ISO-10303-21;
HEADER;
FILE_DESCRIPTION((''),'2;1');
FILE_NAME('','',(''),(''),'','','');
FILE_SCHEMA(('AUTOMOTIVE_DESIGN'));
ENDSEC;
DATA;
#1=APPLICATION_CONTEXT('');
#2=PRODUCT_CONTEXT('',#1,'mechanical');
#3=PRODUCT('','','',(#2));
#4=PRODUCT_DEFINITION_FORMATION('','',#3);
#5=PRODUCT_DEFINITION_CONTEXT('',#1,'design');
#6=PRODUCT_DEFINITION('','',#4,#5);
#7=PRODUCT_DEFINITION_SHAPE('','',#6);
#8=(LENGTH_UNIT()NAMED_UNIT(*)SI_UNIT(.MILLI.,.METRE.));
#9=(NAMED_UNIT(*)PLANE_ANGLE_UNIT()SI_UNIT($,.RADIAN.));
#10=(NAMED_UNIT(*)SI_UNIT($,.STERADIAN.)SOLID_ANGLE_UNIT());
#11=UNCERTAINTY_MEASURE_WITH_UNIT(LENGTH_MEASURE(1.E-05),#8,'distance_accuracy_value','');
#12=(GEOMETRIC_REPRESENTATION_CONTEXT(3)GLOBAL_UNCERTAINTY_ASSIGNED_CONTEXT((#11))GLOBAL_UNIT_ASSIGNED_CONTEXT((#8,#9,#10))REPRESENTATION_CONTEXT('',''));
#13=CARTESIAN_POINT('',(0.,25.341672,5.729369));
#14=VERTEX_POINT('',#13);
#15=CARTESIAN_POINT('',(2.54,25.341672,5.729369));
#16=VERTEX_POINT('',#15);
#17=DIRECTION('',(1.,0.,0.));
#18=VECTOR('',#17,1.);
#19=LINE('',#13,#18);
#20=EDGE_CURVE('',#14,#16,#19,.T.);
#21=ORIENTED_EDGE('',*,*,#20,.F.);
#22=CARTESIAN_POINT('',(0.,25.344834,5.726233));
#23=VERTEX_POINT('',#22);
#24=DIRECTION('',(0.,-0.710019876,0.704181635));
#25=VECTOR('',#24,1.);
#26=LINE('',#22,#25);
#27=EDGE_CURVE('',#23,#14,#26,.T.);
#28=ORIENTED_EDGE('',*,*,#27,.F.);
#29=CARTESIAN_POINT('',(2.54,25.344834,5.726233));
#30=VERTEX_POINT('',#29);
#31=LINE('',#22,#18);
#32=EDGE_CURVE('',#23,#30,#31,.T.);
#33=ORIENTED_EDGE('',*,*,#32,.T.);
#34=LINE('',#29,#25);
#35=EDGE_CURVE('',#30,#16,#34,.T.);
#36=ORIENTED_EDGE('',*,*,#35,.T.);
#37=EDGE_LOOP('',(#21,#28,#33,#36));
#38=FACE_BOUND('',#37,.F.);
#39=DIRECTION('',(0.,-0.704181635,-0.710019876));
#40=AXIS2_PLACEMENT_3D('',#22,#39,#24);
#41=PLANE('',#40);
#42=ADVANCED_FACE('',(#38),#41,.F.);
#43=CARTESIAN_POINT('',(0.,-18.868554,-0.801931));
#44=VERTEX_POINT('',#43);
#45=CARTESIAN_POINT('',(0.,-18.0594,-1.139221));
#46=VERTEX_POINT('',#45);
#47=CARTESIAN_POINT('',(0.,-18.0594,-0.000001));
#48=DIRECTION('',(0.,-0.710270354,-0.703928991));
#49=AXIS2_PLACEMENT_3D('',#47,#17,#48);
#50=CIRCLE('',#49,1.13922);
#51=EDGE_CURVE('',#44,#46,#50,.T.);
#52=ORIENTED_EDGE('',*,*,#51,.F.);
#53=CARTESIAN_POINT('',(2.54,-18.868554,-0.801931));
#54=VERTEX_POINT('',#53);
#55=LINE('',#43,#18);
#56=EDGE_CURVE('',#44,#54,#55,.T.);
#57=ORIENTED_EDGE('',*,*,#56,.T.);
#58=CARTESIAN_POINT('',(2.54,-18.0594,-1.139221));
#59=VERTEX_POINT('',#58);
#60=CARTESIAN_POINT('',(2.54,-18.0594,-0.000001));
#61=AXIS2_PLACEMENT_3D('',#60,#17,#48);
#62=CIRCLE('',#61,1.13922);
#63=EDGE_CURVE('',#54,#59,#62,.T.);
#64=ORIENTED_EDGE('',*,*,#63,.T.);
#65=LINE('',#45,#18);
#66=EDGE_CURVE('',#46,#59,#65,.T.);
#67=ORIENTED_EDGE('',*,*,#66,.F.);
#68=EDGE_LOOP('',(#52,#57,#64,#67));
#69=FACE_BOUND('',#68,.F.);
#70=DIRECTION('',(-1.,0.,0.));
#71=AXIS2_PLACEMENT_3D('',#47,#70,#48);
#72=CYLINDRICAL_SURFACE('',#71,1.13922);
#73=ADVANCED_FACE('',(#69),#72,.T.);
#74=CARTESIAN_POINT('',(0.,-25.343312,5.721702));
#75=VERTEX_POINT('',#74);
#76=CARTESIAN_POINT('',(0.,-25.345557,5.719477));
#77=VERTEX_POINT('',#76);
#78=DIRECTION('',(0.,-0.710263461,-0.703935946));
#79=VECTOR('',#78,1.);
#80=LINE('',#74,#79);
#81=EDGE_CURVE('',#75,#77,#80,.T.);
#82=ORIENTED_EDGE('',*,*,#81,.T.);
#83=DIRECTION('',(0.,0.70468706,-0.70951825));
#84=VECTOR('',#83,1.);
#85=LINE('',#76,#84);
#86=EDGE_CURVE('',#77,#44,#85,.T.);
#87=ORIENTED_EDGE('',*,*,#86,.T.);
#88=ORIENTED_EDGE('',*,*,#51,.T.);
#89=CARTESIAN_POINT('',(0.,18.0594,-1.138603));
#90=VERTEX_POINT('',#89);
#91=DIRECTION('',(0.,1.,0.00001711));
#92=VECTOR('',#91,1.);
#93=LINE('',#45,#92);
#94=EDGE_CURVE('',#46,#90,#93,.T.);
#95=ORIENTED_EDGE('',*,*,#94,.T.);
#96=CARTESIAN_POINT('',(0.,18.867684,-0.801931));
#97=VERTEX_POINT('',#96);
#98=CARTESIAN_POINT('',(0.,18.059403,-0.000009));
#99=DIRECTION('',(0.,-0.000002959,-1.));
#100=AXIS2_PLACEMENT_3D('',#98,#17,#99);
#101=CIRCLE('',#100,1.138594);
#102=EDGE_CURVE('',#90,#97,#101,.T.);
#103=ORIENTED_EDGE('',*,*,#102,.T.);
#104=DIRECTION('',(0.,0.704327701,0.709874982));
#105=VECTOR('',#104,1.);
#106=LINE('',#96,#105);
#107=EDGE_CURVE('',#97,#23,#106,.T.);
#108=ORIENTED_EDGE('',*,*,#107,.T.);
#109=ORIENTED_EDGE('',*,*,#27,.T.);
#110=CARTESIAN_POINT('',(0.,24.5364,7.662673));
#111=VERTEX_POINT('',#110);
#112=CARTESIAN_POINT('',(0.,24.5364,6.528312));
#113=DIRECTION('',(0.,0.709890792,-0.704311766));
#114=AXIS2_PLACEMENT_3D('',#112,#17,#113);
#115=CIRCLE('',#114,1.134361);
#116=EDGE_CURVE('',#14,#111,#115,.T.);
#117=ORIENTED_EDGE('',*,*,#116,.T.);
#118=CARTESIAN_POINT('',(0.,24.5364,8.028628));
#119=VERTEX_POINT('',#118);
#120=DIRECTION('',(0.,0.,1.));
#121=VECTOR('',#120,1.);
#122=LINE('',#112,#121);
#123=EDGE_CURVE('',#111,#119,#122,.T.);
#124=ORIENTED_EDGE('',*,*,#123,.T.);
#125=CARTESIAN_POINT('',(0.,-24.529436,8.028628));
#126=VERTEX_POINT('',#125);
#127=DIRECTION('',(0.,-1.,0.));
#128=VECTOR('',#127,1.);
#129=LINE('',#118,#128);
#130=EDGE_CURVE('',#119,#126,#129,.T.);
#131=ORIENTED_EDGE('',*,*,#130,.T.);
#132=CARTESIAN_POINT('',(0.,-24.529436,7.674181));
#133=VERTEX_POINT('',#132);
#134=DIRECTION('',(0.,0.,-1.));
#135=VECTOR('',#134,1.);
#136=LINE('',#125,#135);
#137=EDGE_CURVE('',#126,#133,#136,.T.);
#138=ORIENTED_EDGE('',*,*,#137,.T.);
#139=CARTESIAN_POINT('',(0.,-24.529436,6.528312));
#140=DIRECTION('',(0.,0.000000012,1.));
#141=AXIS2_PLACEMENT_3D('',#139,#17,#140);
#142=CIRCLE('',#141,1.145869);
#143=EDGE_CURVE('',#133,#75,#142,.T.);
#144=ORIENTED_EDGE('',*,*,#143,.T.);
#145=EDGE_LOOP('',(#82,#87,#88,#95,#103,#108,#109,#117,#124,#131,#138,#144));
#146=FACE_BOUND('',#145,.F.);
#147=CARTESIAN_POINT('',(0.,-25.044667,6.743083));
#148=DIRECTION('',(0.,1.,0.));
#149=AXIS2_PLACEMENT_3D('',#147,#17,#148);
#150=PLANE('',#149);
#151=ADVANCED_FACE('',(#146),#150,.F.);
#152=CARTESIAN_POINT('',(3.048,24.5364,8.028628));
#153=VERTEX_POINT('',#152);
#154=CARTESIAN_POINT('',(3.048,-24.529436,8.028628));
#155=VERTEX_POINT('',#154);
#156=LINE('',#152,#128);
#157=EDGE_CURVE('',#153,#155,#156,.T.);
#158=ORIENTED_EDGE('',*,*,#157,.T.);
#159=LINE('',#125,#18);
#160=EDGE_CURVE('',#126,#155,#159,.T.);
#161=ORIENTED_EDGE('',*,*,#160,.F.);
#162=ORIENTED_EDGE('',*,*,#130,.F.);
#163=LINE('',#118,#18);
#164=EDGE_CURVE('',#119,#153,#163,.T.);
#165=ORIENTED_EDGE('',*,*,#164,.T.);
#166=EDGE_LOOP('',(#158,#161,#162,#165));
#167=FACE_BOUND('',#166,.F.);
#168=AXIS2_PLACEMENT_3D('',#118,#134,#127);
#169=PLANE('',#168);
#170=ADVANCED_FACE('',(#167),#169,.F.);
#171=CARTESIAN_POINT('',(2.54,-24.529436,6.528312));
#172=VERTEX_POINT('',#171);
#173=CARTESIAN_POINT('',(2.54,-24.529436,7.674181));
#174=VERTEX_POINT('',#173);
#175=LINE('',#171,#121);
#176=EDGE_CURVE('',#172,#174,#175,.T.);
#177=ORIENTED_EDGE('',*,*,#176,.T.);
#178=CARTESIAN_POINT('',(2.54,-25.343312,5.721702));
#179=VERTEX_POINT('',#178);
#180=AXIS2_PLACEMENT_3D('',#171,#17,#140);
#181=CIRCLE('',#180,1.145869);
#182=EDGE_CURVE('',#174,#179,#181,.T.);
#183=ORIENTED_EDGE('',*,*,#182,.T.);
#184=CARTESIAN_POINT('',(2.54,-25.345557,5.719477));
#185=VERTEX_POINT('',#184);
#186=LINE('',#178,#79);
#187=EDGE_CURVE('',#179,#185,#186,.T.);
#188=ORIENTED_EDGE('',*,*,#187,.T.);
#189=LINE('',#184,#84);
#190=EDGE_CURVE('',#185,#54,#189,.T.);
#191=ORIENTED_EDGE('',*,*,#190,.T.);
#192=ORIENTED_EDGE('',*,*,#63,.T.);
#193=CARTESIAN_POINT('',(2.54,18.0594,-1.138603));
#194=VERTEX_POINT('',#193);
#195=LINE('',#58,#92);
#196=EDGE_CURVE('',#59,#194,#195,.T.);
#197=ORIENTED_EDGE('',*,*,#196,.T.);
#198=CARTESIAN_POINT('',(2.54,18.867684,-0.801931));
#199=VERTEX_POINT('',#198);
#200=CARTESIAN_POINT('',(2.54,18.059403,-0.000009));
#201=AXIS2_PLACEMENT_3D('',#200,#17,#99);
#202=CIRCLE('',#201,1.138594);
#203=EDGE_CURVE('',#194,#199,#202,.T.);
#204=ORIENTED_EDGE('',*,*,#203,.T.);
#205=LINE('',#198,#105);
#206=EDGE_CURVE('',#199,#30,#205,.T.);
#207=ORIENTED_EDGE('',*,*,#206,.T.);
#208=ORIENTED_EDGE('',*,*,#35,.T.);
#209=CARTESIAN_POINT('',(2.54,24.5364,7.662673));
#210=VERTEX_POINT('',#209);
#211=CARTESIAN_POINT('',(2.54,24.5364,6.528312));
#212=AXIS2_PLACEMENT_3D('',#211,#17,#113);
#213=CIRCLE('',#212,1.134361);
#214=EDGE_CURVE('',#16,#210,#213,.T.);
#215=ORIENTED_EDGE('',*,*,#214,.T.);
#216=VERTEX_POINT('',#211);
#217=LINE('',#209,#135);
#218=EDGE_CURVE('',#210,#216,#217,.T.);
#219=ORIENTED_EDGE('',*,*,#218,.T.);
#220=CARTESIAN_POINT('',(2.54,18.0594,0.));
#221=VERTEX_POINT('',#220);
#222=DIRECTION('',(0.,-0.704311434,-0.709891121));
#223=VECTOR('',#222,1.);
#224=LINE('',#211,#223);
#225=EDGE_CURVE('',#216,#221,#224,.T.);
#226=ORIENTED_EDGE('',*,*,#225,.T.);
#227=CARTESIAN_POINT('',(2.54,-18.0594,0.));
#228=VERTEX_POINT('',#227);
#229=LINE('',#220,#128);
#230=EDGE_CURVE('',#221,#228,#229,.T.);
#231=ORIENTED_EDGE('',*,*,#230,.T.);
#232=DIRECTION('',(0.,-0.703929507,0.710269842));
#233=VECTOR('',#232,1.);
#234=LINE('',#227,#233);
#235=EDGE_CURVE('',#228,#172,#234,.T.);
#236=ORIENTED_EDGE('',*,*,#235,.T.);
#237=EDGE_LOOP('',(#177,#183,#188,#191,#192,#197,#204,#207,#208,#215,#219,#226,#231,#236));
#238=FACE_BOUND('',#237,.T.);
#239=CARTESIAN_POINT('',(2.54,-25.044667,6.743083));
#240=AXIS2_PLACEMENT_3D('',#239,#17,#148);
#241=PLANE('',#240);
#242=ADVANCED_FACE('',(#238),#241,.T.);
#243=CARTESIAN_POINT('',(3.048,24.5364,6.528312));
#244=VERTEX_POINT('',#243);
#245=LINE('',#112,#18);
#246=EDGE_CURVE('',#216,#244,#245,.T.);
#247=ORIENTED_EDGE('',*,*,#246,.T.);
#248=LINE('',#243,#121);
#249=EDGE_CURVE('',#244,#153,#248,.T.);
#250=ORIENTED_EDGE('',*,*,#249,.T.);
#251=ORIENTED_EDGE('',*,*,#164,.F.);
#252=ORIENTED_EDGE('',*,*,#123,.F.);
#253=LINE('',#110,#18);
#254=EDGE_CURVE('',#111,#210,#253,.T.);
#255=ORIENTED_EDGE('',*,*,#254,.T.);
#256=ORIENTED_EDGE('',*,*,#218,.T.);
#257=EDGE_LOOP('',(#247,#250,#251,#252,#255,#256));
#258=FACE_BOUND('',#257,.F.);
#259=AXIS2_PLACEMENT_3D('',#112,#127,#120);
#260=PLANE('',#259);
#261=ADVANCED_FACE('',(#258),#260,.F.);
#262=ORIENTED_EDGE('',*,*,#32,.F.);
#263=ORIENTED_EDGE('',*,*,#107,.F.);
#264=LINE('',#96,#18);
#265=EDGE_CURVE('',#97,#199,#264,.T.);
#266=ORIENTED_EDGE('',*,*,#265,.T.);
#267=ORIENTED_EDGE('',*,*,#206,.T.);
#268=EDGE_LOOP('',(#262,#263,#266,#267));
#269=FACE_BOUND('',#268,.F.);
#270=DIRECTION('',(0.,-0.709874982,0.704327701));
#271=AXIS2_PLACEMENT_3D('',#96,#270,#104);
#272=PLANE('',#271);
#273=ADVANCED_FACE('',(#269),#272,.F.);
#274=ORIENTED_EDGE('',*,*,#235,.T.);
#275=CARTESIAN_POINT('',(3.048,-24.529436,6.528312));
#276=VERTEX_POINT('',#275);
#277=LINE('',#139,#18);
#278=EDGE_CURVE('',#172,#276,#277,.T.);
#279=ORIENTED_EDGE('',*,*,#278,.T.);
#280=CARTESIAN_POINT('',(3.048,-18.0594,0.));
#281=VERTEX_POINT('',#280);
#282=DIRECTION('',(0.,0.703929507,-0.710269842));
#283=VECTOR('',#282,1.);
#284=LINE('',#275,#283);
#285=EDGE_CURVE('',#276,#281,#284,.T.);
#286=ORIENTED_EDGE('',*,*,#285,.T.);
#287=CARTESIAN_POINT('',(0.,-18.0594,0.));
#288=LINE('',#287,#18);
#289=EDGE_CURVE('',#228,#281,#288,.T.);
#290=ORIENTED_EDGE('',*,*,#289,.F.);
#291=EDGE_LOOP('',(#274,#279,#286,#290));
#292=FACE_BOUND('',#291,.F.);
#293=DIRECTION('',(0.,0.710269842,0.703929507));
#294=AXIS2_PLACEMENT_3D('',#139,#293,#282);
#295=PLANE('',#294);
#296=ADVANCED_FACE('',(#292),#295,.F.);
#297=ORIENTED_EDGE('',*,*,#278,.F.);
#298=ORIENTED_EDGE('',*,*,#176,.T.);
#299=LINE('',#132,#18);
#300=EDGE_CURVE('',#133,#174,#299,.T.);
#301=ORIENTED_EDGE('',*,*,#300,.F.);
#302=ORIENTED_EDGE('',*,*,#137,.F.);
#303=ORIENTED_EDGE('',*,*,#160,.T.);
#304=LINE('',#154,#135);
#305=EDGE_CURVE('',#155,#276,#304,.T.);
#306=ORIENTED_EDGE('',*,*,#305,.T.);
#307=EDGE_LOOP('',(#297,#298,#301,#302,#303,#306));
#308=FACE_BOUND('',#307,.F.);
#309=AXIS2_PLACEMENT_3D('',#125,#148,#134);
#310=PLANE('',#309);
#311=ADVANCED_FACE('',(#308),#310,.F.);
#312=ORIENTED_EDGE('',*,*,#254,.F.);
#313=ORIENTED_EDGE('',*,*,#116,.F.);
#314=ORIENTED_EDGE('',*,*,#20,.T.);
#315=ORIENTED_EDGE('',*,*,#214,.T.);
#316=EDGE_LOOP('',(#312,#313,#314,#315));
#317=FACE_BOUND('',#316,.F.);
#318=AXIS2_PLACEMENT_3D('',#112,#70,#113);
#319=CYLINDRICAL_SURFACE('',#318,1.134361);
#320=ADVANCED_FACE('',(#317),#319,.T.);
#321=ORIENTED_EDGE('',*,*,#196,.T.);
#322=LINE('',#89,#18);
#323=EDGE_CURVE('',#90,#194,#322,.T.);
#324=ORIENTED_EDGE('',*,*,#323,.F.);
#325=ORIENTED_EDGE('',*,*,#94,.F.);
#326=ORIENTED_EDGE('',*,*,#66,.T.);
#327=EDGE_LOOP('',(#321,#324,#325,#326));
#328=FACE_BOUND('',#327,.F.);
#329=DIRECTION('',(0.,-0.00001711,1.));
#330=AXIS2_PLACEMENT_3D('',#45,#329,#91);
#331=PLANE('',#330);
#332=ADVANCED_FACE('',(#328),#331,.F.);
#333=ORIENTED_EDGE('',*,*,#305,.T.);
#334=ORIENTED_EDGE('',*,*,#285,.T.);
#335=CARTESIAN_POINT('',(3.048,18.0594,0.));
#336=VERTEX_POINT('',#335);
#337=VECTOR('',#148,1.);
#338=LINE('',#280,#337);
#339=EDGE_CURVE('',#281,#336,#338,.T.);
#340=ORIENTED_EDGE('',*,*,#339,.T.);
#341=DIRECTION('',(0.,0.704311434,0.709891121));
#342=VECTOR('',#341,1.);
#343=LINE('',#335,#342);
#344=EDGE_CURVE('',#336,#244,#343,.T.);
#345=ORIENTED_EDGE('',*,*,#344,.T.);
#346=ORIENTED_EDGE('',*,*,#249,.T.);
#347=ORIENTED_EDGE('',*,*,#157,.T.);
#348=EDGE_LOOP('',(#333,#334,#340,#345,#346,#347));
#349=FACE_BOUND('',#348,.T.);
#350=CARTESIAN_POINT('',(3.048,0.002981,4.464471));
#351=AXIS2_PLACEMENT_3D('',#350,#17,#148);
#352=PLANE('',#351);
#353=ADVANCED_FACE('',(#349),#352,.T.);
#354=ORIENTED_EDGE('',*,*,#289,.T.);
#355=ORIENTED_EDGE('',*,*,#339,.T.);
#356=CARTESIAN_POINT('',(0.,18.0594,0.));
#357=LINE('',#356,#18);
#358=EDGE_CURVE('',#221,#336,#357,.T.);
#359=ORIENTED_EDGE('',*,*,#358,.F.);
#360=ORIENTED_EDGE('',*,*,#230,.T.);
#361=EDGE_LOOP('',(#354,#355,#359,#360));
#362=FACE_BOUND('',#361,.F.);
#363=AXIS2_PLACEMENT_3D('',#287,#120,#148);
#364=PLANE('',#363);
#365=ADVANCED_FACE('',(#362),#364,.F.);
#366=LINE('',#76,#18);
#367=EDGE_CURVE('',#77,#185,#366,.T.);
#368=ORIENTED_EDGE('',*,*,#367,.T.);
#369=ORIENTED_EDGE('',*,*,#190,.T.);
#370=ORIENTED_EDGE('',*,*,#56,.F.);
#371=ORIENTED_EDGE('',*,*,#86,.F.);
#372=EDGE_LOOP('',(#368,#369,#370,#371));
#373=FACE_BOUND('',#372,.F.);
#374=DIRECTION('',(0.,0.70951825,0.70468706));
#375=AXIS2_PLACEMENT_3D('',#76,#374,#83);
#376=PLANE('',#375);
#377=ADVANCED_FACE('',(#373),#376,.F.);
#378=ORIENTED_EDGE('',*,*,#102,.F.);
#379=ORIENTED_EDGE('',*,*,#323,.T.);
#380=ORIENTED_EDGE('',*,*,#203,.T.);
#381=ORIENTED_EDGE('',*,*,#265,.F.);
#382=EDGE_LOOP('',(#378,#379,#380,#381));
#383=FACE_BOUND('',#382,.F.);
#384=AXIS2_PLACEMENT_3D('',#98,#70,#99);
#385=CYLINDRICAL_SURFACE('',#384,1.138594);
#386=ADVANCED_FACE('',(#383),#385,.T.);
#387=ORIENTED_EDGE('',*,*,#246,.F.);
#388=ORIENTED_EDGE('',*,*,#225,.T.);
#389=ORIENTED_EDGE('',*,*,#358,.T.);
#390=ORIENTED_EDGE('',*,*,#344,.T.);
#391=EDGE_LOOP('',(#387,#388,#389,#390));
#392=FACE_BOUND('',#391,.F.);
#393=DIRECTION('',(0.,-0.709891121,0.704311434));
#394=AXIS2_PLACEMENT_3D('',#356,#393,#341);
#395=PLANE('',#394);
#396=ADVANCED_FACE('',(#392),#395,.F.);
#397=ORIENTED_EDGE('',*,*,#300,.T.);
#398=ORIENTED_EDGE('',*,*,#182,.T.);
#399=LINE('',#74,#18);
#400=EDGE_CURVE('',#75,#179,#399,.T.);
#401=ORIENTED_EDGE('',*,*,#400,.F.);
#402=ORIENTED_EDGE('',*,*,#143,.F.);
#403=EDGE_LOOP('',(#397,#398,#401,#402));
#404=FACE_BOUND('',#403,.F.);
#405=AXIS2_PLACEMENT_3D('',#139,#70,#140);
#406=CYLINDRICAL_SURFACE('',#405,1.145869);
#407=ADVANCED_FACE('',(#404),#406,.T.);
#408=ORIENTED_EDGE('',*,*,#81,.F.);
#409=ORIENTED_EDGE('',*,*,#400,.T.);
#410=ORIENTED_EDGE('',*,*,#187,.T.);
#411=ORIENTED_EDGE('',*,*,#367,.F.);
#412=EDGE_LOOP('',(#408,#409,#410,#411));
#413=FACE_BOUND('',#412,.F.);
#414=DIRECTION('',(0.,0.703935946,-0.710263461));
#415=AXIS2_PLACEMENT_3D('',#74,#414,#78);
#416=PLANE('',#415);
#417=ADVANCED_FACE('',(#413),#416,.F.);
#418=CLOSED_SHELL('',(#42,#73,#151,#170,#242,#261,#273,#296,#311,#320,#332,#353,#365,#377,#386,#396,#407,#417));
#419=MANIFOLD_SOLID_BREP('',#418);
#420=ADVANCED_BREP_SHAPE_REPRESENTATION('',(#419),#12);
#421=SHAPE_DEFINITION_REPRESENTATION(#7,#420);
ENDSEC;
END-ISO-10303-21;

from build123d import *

# Parameters (mm, degrees)
F1_DEPTH = 3.048
F2_DEPTH = 2.54


with BuildPart() as f1:
    # F0 (on Right) → F1 (new body)
    with BuildSketch(Plane.YZ):
        Polygon((-18.0594, 0), (0, 0), (18.0594, 0), (24.5364, 6.528312), (24.5364, 7.662673), (24.5364, 8.028628), (0, 8.028628), (-24.529436, 8.028628), (-24.529436, 7.674181), (-24.529436, 6.528312), align=None)
    extrude(amount=F1_DEPTH)

    # F0 (on Right) → F2 (join)
    with BuildSketch(Plane.YZ):
        with BuildLine():
            Line((-25.343312, 5.721702), (-24.529436, 6.528312))
            Line((-24.529436, 6.528312), (-24.529436, 7.674181))
            ThreePointArc((-24.529436, 7.674181), (-25.587095, 6.969189), (-25.343312, 5.721702))
        make_face()
        Polygon((-18.868554, -0.801931), (-18.0594, 0), (-24.529436, 6.528312), (-25.343312, 5.721702), (-25.345557, 5.719477), align=None)
        with BuildLine():
            Line((18.0594, 0), (0, 0))
            Line((0, 0), (-18.0594, 0))
            Line((-18.0594, 0), (-18.868554, -0.801931))
            ThreePointArc((-18.868554, -0.801931), (-18.497719, -1.051523), (-18.0594, -1.139221))
            Line((-18.0594, -1.139221), (18.0594, -1.138603))
            ThreePointArc((18.0594, -1.138603), (18.497199, -1.051071), (18.867684, -0.801931))
            Line((18.867684, -0.801931), (18.0594, 0))
        make_face()
        Polygon((24.5364, 6.528312), (18.0594, 0), (18.867684, -0.801931), (25.344834, 5.726233), (25.341672, 5.729369), align=None)
        with BuildLine():
            Line((24.5364, 7.662673), (24.5364, 6.528312))
            Line((24.5364, 6.528312), (25.341672, 5.729369))
            ThreePointArc((25.341672, 5.729369), (25.583554, 6.96448), (24.5364, 7.662673))
        make_face()
    extrude(amount=F2_DEPTH)


solid = f1.part
